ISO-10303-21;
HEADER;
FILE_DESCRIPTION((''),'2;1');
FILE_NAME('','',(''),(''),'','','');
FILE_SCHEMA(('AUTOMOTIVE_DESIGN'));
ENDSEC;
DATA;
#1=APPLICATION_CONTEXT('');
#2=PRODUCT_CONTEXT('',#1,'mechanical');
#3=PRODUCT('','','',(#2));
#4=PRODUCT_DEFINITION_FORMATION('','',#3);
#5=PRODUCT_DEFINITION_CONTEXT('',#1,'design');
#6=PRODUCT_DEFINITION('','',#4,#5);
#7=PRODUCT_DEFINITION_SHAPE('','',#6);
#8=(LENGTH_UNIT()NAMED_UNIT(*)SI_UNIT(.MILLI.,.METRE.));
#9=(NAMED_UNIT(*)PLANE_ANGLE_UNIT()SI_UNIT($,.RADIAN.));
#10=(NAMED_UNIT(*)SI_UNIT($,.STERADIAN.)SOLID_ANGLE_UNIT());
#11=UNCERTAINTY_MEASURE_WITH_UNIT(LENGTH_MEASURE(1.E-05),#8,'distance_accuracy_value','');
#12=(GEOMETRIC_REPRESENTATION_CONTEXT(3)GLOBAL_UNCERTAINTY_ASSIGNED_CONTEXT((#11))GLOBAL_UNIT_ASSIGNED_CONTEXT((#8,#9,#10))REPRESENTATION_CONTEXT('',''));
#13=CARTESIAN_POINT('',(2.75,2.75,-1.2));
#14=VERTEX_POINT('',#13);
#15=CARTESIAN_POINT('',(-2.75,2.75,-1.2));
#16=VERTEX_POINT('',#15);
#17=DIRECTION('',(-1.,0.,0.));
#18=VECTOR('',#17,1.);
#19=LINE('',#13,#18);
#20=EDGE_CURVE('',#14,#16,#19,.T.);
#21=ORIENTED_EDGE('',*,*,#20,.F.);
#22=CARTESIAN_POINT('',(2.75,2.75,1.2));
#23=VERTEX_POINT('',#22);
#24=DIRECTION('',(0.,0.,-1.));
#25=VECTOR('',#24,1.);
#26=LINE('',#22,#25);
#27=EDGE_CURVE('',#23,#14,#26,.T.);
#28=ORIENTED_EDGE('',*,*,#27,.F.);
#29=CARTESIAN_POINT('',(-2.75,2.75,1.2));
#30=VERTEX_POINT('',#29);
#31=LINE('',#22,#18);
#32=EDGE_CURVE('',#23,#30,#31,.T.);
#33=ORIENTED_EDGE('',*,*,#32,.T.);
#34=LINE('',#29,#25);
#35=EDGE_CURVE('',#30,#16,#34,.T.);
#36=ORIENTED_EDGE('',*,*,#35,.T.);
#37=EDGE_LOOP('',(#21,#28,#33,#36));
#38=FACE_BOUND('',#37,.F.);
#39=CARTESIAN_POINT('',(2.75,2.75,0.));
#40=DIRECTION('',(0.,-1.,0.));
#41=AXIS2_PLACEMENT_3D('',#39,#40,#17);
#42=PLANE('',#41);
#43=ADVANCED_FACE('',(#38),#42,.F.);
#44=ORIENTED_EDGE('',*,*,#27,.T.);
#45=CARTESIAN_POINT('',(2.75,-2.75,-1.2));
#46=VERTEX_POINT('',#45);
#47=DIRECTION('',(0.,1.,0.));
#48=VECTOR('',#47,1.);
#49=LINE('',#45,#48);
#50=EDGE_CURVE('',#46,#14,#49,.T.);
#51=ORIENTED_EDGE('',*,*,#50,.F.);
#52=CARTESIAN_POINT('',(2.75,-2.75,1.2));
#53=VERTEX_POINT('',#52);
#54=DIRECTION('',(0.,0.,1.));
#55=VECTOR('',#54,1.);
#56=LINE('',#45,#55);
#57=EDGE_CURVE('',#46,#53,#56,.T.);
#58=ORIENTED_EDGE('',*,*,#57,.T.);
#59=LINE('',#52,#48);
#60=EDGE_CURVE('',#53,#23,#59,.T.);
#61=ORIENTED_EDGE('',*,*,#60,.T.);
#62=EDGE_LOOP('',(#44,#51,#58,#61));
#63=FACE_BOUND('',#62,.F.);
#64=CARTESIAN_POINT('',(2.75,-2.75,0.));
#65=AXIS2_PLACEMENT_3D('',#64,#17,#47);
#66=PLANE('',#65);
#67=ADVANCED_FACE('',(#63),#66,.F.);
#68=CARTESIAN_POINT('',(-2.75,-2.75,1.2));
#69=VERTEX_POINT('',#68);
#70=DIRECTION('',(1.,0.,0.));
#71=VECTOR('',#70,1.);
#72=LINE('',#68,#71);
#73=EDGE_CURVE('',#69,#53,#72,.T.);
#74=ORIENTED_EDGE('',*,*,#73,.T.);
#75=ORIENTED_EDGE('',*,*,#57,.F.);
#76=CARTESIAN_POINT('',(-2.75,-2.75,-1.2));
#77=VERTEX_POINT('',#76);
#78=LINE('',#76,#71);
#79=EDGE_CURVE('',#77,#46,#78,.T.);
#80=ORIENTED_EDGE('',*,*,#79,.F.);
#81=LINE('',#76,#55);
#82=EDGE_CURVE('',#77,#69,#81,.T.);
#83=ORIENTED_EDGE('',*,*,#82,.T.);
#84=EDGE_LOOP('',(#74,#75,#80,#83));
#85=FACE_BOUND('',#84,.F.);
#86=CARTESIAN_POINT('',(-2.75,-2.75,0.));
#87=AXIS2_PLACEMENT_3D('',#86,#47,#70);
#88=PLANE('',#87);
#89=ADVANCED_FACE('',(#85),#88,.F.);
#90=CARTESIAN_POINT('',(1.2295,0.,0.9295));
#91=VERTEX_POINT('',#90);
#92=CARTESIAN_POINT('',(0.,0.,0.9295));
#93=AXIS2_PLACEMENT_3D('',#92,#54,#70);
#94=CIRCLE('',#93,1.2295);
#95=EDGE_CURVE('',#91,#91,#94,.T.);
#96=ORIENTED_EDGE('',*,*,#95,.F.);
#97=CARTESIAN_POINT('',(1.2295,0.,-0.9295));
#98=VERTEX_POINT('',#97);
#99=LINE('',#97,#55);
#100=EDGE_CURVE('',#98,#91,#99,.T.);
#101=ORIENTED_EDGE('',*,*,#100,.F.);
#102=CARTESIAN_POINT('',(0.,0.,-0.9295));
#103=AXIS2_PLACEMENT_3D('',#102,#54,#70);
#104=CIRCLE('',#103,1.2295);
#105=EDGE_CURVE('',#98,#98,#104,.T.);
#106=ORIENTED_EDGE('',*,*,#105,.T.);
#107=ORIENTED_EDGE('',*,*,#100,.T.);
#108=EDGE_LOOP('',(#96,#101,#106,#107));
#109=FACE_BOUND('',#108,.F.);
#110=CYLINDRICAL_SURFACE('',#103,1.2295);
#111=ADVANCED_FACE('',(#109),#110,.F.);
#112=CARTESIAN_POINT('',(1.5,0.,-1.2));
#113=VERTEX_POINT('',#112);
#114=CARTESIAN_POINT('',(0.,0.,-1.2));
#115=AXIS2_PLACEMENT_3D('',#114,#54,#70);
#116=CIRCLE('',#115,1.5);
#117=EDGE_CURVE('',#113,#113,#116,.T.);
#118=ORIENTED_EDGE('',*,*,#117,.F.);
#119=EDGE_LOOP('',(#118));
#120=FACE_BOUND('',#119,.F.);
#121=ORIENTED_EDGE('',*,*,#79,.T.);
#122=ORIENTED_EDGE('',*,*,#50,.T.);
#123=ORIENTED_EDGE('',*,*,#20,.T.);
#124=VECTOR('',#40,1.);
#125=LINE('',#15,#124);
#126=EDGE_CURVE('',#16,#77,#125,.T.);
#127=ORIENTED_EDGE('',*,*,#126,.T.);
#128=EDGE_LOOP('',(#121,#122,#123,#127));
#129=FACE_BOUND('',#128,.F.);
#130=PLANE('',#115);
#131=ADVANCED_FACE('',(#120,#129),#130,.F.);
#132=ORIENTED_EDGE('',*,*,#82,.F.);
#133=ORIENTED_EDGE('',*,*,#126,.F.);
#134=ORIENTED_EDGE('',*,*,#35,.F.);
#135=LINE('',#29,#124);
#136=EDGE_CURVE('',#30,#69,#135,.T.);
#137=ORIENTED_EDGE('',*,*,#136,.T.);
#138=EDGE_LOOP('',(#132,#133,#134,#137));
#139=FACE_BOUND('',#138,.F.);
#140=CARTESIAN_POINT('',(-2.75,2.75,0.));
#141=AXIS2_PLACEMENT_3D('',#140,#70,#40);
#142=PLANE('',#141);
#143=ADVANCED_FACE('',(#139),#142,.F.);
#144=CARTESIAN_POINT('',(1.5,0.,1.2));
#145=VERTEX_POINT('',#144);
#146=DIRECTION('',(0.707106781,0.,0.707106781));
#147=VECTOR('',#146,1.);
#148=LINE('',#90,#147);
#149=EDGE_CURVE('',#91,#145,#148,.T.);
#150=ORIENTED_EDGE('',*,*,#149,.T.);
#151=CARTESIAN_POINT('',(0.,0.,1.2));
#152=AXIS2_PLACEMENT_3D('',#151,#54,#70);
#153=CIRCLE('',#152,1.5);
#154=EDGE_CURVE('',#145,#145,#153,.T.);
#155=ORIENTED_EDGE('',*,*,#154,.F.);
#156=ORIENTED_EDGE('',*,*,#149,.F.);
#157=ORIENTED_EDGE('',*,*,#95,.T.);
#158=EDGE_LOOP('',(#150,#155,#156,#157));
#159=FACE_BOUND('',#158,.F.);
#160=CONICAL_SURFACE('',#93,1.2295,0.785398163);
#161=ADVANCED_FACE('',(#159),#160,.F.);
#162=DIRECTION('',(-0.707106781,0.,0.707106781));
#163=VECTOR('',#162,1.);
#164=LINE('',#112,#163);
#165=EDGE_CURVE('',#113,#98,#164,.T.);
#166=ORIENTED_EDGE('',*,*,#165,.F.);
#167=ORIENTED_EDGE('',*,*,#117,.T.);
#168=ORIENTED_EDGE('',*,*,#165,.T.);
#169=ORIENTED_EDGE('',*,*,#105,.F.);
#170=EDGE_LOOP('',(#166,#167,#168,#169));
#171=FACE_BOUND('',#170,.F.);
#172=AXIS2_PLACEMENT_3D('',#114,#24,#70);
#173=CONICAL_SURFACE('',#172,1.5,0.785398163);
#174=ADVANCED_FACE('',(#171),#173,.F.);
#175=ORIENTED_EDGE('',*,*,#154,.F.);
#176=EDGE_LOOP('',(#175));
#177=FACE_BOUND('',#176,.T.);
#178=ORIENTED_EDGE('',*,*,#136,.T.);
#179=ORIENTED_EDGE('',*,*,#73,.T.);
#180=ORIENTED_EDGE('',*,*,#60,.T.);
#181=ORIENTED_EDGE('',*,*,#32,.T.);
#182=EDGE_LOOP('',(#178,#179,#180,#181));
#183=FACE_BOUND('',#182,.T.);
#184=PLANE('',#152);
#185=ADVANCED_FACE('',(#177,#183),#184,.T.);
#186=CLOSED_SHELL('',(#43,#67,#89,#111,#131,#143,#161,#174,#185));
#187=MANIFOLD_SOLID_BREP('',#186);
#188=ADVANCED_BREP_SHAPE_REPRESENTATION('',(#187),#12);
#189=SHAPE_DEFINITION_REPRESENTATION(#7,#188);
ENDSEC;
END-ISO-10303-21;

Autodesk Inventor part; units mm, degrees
sketch "Sketch_1" plane through (0, 0, 0) normal (0, 0, 1) x (1, 0, 0)
  line L0 (-2.75, -2.75) -> (2.75, -2.75)
  line L1 (2.75, -2.75) -> (2.75, 2.75)
  line L2 (2.75, 2.75) -> (-2.75, 2.75)
  line L3 (-2.75, 2.75) -> (-2.75, -2.75)
extrude "Extrusion1" add sketch "Sketch_1" along normal mid plane 2.4
sketch "Sketch_2" plane through (0, 0, 0) normal (0, 1, 0) x (-1, 0, 0)
  line L0 (0, 1.2) -> (0, -1.2)
  line L1 (0, -1.2) -> (-1.5, -1.2)
  line L2 (-1.5, -1.2) -> (-1.2295, -0.9295)
  line L3 (-1.2295, -0.9295) -> (-1.2295, 0.9295)
  line L4 (-1.2295, 0.9295) -> (-1.5, 1.2)
  line L5 (-1.5, 1.2) -> (0, 1.2)
  line L6 (0, 1.2) -> (0, -1.2)
revolve "Revolution1" cut sketch "Sketch_2" angle 360 about axis through (0, 0, 1.2) along (0, 0, 1)
thread "Thread1" size "M3x0.5" class "6H" standard "ISO Metric profile" full length
ref_plane "nut_to_bolt_XY" through (0, 0, -1.2) normal (0, 0, 1) x (1, 0, 0)
ref_plane "nut_to_bolt_YZ" through (0, 0, -1.2) normal (1, 0, 0) x (0, 1, 0)
ref_plane "nut_to_bolt_ZX" through (0, 0, -1.2) normal (0, 1, 0) x (0, 0, 1)
properties part number "HNSQ3-3"
